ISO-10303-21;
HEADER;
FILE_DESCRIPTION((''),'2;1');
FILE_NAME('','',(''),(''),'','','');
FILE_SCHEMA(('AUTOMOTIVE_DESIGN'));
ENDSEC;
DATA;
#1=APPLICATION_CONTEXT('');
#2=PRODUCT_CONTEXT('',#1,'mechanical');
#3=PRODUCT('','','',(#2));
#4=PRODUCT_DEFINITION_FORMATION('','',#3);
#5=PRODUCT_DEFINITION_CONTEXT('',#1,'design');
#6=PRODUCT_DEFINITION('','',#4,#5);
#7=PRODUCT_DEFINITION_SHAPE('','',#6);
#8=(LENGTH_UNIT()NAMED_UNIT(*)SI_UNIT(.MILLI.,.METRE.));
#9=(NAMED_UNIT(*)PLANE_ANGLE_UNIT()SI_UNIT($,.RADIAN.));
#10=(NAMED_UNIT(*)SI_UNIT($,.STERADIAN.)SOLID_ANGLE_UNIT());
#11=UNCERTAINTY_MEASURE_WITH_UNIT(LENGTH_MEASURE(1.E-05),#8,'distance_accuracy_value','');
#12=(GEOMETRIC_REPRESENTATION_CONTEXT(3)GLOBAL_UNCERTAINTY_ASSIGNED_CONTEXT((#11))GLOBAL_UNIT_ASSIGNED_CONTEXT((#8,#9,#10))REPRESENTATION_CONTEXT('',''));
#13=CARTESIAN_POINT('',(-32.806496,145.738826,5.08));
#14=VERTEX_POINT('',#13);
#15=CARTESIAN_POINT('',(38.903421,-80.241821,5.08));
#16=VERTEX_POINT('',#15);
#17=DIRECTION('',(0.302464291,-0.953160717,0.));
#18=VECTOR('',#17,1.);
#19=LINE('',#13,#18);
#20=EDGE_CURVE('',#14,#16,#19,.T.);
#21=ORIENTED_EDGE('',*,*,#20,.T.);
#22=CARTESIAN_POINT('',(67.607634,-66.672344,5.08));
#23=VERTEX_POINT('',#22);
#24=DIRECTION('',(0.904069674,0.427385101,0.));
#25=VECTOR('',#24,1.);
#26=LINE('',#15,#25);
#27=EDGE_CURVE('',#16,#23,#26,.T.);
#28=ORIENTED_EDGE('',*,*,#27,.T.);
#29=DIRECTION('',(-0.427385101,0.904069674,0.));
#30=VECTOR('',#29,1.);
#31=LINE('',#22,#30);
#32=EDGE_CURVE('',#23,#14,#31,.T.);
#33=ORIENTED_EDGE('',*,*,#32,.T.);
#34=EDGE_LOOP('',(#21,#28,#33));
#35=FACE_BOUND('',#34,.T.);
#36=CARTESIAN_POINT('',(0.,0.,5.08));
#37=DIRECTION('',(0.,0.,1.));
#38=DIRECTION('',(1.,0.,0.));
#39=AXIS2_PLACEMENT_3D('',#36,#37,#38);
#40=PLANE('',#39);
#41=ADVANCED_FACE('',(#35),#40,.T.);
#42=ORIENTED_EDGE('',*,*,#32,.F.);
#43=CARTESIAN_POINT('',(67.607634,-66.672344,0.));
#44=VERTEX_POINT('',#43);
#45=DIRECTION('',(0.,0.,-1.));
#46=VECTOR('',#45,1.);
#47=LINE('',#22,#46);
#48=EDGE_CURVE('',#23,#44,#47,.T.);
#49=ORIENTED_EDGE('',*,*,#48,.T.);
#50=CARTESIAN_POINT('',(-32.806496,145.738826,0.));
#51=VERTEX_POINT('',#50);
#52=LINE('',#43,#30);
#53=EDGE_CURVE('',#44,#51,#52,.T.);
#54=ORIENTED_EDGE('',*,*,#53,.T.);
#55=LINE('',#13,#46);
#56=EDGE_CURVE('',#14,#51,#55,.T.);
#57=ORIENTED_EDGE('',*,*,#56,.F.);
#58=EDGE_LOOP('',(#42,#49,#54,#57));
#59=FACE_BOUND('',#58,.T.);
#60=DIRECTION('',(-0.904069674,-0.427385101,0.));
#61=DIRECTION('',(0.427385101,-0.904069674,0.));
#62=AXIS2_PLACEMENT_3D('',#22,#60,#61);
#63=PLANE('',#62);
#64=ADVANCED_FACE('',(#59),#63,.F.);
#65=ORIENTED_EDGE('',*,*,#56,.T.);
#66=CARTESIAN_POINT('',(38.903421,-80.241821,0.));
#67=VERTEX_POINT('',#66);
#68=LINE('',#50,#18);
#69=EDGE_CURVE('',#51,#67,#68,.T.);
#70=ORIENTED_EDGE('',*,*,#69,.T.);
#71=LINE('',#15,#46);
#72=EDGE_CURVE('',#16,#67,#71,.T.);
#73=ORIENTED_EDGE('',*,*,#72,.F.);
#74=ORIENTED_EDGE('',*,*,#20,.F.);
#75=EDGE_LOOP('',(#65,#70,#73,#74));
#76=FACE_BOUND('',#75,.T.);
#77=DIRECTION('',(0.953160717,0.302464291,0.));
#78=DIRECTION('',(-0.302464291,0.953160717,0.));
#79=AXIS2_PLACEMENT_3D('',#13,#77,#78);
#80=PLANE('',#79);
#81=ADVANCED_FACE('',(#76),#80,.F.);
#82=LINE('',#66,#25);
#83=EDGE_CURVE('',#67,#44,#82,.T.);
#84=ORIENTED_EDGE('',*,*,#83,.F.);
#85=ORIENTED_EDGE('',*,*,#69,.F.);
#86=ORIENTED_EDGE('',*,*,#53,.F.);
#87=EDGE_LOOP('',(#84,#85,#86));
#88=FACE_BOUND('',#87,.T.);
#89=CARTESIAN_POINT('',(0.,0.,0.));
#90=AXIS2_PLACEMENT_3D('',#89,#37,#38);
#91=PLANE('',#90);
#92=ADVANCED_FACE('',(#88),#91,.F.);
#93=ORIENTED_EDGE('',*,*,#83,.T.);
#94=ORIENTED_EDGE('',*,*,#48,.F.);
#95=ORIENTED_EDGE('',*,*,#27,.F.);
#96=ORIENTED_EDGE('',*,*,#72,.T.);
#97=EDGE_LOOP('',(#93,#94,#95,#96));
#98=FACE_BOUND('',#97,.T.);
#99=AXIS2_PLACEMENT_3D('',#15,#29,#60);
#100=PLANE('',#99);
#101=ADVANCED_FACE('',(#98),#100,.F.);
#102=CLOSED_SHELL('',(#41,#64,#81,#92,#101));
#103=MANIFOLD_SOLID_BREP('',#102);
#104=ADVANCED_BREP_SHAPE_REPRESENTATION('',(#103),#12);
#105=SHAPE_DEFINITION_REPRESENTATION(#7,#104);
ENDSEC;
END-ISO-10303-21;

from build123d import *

# Parameters (mm, degrees)
BOSS_EXTRUDE1_DEPTH = 5.08


with BuildPart() as part:
    # Sketch1 → Boss-Extrude1 (new body)
    with BuildSketch(Plane.XY):
        Polygon((38.903421403, -80.241820695), (67.607633554, -66.672343741), (-32.806495904, 145.738826175), align=None)
    extrude(amount=BOSS_EXTRUDE1_DEPTH)


solid = part.part
